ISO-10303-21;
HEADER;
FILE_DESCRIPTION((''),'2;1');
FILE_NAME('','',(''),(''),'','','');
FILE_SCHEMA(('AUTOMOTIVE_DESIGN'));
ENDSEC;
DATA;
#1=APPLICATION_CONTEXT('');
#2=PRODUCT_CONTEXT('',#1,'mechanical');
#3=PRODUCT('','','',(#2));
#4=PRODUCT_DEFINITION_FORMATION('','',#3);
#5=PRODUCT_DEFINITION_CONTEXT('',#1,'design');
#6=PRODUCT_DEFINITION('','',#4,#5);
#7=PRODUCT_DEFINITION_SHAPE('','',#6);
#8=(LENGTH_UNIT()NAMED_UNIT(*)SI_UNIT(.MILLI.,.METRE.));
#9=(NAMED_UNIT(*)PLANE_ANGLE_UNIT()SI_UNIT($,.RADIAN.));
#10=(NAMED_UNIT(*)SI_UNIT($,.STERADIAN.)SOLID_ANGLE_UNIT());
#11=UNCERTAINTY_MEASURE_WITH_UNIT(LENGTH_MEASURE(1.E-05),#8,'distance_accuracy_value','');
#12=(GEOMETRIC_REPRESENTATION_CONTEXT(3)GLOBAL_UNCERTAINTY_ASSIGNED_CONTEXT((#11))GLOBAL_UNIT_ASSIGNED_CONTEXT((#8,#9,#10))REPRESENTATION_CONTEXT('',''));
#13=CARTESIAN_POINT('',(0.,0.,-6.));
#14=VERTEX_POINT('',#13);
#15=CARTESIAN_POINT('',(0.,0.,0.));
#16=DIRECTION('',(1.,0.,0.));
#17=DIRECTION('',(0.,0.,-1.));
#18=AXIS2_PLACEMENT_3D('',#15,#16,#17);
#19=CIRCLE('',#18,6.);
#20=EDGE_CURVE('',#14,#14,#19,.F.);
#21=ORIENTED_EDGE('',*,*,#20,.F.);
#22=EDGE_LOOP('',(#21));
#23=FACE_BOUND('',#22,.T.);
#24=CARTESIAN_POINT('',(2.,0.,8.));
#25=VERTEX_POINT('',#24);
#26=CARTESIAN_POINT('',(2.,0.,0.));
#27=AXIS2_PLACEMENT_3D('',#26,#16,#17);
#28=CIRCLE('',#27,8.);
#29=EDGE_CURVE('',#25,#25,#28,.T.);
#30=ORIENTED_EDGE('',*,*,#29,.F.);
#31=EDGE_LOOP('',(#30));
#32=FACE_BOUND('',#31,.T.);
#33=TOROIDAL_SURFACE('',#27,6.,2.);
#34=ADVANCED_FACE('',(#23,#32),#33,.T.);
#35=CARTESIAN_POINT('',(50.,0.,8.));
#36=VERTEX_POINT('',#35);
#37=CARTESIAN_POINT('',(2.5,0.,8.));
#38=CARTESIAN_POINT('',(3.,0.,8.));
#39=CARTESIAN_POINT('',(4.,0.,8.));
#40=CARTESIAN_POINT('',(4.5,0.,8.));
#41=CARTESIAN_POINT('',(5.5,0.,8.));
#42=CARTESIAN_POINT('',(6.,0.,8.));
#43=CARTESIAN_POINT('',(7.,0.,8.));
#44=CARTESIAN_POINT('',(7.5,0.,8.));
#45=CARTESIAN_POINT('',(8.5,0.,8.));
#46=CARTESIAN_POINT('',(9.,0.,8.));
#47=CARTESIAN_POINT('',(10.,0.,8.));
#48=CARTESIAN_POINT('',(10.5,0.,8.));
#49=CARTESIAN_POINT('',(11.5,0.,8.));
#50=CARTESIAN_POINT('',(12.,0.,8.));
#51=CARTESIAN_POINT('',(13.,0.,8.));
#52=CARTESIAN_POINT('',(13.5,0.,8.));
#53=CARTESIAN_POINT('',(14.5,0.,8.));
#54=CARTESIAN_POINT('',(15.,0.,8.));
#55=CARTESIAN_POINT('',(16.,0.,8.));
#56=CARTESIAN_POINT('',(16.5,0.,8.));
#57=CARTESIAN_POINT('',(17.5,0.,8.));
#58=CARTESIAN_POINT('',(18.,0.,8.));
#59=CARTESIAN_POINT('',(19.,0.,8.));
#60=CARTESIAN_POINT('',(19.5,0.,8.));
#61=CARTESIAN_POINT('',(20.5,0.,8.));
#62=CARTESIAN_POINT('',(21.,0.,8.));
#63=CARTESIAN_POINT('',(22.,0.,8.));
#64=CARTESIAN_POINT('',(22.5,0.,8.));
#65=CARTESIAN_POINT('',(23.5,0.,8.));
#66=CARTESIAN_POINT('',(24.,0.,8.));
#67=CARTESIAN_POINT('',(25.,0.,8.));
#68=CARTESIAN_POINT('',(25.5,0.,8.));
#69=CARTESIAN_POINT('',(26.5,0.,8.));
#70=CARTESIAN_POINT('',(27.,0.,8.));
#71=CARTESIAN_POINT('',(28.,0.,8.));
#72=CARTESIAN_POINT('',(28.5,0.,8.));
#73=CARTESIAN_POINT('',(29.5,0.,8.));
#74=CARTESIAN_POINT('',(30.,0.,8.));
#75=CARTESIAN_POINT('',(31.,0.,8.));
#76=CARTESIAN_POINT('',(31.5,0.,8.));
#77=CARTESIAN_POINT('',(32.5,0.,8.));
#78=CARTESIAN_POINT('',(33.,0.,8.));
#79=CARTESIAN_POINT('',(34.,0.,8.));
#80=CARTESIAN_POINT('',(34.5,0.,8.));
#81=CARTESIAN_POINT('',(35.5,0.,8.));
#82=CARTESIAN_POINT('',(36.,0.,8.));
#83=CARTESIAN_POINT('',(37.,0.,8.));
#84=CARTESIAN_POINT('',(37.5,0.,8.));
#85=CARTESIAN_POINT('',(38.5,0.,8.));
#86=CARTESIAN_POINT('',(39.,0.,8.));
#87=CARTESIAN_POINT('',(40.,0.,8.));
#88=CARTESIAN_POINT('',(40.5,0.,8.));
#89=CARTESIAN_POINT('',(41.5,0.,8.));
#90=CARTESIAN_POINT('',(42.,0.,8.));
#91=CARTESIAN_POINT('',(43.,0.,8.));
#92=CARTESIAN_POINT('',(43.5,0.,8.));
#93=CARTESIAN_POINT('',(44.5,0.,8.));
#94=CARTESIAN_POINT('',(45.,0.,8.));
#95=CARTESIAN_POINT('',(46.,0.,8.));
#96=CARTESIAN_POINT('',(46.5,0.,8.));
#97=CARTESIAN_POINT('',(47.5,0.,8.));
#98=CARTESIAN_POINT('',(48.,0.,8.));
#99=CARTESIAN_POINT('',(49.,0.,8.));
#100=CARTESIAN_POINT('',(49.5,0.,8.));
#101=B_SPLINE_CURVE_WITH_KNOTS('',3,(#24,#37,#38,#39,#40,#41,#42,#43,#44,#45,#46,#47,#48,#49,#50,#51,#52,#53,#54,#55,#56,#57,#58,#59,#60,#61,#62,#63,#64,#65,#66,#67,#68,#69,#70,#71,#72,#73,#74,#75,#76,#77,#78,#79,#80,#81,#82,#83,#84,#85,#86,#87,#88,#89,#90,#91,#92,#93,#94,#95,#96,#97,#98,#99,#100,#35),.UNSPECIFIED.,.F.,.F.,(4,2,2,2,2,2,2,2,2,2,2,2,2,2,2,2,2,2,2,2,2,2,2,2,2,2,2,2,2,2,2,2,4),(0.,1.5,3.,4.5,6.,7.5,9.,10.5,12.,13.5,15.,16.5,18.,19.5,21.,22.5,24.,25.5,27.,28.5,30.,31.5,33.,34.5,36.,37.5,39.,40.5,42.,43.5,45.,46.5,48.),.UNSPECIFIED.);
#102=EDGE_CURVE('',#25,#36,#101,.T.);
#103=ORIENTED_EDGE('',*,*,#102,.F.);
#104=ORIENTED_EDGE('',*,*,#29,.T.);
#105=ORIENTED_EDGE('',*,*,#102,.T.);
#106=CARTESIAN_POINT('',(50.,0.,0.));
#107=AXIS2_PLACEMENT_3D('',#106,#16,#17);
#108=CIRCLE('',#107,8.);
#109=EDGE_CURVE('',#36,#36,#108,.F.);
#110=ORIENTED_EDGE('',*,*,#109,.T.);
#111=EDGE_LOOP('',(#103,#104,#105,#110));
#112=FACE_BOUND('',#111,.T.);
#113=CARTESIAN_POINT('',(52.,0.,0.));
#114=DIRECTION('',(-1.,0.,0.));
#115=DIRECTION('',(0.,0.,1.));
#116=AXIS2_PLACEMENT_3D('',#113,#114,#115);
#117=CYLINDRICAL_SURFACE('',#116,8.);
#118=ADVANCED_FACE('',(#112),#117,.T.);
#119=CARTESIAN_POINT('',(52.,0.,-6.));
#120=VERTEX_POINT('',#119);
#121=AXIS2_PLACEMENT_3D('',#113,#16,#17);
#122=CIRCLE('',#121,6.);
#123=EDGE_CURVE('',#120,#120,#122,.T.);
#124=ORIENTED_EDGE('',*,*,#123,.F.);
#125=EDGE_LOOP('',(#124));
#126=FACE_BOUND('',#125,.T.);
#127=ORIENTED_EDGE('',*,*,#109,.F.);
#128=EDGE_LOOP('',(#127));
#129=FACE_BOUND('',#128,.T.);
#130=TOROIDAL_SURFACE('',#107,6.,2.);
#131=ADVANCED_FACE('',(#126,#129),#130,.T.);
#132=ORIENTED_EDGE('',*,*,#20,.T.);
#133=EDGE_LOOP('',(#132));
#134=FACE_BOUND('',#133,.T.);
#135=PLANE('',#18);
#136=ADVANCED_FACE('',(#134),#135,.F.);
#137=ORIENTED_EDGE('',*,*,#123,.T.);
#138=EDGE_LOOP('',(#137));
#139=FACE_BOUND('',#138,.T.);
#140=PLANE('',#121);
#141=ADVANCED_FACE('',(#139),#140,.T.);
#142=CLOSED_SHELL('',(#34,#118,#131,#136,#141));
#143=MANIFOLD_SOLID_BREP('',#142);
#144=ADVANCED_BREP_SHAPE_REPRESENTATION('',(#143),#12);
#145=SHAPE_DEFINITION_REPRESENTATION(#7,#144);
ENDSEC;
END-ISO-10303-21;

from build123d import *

# Parameters (mm, degrees)
SKETCH_1_R      = 8
EXTRUDE_1_DEPTH = 52
FILLET_2_R      = 2


with BuildPart() as part:
    # Эскиз1 → Бобышка-Вытянуть1 (new body)
    with BuildSketch(Plane(origin=(0, 0, 0), x_dir=(0, 0, -1), z_dir=(1, 0, 0))):
        with Locations(Location((0, 0, 0), (0, 0, 180))):
            Circle(SKETCH_1_R)
    extrude(amount=EXTRUDE_1_DEPTH)

    # Скругление2
    fillet_2_edges = [part.edges().sort_by_distance(p)[0] for p in [
        (0, 0, -8),
        (52, 0, -8),
    ]]
    fillet(fillet_2_edges, radius=FILLET_2_R)


solid = part.part
